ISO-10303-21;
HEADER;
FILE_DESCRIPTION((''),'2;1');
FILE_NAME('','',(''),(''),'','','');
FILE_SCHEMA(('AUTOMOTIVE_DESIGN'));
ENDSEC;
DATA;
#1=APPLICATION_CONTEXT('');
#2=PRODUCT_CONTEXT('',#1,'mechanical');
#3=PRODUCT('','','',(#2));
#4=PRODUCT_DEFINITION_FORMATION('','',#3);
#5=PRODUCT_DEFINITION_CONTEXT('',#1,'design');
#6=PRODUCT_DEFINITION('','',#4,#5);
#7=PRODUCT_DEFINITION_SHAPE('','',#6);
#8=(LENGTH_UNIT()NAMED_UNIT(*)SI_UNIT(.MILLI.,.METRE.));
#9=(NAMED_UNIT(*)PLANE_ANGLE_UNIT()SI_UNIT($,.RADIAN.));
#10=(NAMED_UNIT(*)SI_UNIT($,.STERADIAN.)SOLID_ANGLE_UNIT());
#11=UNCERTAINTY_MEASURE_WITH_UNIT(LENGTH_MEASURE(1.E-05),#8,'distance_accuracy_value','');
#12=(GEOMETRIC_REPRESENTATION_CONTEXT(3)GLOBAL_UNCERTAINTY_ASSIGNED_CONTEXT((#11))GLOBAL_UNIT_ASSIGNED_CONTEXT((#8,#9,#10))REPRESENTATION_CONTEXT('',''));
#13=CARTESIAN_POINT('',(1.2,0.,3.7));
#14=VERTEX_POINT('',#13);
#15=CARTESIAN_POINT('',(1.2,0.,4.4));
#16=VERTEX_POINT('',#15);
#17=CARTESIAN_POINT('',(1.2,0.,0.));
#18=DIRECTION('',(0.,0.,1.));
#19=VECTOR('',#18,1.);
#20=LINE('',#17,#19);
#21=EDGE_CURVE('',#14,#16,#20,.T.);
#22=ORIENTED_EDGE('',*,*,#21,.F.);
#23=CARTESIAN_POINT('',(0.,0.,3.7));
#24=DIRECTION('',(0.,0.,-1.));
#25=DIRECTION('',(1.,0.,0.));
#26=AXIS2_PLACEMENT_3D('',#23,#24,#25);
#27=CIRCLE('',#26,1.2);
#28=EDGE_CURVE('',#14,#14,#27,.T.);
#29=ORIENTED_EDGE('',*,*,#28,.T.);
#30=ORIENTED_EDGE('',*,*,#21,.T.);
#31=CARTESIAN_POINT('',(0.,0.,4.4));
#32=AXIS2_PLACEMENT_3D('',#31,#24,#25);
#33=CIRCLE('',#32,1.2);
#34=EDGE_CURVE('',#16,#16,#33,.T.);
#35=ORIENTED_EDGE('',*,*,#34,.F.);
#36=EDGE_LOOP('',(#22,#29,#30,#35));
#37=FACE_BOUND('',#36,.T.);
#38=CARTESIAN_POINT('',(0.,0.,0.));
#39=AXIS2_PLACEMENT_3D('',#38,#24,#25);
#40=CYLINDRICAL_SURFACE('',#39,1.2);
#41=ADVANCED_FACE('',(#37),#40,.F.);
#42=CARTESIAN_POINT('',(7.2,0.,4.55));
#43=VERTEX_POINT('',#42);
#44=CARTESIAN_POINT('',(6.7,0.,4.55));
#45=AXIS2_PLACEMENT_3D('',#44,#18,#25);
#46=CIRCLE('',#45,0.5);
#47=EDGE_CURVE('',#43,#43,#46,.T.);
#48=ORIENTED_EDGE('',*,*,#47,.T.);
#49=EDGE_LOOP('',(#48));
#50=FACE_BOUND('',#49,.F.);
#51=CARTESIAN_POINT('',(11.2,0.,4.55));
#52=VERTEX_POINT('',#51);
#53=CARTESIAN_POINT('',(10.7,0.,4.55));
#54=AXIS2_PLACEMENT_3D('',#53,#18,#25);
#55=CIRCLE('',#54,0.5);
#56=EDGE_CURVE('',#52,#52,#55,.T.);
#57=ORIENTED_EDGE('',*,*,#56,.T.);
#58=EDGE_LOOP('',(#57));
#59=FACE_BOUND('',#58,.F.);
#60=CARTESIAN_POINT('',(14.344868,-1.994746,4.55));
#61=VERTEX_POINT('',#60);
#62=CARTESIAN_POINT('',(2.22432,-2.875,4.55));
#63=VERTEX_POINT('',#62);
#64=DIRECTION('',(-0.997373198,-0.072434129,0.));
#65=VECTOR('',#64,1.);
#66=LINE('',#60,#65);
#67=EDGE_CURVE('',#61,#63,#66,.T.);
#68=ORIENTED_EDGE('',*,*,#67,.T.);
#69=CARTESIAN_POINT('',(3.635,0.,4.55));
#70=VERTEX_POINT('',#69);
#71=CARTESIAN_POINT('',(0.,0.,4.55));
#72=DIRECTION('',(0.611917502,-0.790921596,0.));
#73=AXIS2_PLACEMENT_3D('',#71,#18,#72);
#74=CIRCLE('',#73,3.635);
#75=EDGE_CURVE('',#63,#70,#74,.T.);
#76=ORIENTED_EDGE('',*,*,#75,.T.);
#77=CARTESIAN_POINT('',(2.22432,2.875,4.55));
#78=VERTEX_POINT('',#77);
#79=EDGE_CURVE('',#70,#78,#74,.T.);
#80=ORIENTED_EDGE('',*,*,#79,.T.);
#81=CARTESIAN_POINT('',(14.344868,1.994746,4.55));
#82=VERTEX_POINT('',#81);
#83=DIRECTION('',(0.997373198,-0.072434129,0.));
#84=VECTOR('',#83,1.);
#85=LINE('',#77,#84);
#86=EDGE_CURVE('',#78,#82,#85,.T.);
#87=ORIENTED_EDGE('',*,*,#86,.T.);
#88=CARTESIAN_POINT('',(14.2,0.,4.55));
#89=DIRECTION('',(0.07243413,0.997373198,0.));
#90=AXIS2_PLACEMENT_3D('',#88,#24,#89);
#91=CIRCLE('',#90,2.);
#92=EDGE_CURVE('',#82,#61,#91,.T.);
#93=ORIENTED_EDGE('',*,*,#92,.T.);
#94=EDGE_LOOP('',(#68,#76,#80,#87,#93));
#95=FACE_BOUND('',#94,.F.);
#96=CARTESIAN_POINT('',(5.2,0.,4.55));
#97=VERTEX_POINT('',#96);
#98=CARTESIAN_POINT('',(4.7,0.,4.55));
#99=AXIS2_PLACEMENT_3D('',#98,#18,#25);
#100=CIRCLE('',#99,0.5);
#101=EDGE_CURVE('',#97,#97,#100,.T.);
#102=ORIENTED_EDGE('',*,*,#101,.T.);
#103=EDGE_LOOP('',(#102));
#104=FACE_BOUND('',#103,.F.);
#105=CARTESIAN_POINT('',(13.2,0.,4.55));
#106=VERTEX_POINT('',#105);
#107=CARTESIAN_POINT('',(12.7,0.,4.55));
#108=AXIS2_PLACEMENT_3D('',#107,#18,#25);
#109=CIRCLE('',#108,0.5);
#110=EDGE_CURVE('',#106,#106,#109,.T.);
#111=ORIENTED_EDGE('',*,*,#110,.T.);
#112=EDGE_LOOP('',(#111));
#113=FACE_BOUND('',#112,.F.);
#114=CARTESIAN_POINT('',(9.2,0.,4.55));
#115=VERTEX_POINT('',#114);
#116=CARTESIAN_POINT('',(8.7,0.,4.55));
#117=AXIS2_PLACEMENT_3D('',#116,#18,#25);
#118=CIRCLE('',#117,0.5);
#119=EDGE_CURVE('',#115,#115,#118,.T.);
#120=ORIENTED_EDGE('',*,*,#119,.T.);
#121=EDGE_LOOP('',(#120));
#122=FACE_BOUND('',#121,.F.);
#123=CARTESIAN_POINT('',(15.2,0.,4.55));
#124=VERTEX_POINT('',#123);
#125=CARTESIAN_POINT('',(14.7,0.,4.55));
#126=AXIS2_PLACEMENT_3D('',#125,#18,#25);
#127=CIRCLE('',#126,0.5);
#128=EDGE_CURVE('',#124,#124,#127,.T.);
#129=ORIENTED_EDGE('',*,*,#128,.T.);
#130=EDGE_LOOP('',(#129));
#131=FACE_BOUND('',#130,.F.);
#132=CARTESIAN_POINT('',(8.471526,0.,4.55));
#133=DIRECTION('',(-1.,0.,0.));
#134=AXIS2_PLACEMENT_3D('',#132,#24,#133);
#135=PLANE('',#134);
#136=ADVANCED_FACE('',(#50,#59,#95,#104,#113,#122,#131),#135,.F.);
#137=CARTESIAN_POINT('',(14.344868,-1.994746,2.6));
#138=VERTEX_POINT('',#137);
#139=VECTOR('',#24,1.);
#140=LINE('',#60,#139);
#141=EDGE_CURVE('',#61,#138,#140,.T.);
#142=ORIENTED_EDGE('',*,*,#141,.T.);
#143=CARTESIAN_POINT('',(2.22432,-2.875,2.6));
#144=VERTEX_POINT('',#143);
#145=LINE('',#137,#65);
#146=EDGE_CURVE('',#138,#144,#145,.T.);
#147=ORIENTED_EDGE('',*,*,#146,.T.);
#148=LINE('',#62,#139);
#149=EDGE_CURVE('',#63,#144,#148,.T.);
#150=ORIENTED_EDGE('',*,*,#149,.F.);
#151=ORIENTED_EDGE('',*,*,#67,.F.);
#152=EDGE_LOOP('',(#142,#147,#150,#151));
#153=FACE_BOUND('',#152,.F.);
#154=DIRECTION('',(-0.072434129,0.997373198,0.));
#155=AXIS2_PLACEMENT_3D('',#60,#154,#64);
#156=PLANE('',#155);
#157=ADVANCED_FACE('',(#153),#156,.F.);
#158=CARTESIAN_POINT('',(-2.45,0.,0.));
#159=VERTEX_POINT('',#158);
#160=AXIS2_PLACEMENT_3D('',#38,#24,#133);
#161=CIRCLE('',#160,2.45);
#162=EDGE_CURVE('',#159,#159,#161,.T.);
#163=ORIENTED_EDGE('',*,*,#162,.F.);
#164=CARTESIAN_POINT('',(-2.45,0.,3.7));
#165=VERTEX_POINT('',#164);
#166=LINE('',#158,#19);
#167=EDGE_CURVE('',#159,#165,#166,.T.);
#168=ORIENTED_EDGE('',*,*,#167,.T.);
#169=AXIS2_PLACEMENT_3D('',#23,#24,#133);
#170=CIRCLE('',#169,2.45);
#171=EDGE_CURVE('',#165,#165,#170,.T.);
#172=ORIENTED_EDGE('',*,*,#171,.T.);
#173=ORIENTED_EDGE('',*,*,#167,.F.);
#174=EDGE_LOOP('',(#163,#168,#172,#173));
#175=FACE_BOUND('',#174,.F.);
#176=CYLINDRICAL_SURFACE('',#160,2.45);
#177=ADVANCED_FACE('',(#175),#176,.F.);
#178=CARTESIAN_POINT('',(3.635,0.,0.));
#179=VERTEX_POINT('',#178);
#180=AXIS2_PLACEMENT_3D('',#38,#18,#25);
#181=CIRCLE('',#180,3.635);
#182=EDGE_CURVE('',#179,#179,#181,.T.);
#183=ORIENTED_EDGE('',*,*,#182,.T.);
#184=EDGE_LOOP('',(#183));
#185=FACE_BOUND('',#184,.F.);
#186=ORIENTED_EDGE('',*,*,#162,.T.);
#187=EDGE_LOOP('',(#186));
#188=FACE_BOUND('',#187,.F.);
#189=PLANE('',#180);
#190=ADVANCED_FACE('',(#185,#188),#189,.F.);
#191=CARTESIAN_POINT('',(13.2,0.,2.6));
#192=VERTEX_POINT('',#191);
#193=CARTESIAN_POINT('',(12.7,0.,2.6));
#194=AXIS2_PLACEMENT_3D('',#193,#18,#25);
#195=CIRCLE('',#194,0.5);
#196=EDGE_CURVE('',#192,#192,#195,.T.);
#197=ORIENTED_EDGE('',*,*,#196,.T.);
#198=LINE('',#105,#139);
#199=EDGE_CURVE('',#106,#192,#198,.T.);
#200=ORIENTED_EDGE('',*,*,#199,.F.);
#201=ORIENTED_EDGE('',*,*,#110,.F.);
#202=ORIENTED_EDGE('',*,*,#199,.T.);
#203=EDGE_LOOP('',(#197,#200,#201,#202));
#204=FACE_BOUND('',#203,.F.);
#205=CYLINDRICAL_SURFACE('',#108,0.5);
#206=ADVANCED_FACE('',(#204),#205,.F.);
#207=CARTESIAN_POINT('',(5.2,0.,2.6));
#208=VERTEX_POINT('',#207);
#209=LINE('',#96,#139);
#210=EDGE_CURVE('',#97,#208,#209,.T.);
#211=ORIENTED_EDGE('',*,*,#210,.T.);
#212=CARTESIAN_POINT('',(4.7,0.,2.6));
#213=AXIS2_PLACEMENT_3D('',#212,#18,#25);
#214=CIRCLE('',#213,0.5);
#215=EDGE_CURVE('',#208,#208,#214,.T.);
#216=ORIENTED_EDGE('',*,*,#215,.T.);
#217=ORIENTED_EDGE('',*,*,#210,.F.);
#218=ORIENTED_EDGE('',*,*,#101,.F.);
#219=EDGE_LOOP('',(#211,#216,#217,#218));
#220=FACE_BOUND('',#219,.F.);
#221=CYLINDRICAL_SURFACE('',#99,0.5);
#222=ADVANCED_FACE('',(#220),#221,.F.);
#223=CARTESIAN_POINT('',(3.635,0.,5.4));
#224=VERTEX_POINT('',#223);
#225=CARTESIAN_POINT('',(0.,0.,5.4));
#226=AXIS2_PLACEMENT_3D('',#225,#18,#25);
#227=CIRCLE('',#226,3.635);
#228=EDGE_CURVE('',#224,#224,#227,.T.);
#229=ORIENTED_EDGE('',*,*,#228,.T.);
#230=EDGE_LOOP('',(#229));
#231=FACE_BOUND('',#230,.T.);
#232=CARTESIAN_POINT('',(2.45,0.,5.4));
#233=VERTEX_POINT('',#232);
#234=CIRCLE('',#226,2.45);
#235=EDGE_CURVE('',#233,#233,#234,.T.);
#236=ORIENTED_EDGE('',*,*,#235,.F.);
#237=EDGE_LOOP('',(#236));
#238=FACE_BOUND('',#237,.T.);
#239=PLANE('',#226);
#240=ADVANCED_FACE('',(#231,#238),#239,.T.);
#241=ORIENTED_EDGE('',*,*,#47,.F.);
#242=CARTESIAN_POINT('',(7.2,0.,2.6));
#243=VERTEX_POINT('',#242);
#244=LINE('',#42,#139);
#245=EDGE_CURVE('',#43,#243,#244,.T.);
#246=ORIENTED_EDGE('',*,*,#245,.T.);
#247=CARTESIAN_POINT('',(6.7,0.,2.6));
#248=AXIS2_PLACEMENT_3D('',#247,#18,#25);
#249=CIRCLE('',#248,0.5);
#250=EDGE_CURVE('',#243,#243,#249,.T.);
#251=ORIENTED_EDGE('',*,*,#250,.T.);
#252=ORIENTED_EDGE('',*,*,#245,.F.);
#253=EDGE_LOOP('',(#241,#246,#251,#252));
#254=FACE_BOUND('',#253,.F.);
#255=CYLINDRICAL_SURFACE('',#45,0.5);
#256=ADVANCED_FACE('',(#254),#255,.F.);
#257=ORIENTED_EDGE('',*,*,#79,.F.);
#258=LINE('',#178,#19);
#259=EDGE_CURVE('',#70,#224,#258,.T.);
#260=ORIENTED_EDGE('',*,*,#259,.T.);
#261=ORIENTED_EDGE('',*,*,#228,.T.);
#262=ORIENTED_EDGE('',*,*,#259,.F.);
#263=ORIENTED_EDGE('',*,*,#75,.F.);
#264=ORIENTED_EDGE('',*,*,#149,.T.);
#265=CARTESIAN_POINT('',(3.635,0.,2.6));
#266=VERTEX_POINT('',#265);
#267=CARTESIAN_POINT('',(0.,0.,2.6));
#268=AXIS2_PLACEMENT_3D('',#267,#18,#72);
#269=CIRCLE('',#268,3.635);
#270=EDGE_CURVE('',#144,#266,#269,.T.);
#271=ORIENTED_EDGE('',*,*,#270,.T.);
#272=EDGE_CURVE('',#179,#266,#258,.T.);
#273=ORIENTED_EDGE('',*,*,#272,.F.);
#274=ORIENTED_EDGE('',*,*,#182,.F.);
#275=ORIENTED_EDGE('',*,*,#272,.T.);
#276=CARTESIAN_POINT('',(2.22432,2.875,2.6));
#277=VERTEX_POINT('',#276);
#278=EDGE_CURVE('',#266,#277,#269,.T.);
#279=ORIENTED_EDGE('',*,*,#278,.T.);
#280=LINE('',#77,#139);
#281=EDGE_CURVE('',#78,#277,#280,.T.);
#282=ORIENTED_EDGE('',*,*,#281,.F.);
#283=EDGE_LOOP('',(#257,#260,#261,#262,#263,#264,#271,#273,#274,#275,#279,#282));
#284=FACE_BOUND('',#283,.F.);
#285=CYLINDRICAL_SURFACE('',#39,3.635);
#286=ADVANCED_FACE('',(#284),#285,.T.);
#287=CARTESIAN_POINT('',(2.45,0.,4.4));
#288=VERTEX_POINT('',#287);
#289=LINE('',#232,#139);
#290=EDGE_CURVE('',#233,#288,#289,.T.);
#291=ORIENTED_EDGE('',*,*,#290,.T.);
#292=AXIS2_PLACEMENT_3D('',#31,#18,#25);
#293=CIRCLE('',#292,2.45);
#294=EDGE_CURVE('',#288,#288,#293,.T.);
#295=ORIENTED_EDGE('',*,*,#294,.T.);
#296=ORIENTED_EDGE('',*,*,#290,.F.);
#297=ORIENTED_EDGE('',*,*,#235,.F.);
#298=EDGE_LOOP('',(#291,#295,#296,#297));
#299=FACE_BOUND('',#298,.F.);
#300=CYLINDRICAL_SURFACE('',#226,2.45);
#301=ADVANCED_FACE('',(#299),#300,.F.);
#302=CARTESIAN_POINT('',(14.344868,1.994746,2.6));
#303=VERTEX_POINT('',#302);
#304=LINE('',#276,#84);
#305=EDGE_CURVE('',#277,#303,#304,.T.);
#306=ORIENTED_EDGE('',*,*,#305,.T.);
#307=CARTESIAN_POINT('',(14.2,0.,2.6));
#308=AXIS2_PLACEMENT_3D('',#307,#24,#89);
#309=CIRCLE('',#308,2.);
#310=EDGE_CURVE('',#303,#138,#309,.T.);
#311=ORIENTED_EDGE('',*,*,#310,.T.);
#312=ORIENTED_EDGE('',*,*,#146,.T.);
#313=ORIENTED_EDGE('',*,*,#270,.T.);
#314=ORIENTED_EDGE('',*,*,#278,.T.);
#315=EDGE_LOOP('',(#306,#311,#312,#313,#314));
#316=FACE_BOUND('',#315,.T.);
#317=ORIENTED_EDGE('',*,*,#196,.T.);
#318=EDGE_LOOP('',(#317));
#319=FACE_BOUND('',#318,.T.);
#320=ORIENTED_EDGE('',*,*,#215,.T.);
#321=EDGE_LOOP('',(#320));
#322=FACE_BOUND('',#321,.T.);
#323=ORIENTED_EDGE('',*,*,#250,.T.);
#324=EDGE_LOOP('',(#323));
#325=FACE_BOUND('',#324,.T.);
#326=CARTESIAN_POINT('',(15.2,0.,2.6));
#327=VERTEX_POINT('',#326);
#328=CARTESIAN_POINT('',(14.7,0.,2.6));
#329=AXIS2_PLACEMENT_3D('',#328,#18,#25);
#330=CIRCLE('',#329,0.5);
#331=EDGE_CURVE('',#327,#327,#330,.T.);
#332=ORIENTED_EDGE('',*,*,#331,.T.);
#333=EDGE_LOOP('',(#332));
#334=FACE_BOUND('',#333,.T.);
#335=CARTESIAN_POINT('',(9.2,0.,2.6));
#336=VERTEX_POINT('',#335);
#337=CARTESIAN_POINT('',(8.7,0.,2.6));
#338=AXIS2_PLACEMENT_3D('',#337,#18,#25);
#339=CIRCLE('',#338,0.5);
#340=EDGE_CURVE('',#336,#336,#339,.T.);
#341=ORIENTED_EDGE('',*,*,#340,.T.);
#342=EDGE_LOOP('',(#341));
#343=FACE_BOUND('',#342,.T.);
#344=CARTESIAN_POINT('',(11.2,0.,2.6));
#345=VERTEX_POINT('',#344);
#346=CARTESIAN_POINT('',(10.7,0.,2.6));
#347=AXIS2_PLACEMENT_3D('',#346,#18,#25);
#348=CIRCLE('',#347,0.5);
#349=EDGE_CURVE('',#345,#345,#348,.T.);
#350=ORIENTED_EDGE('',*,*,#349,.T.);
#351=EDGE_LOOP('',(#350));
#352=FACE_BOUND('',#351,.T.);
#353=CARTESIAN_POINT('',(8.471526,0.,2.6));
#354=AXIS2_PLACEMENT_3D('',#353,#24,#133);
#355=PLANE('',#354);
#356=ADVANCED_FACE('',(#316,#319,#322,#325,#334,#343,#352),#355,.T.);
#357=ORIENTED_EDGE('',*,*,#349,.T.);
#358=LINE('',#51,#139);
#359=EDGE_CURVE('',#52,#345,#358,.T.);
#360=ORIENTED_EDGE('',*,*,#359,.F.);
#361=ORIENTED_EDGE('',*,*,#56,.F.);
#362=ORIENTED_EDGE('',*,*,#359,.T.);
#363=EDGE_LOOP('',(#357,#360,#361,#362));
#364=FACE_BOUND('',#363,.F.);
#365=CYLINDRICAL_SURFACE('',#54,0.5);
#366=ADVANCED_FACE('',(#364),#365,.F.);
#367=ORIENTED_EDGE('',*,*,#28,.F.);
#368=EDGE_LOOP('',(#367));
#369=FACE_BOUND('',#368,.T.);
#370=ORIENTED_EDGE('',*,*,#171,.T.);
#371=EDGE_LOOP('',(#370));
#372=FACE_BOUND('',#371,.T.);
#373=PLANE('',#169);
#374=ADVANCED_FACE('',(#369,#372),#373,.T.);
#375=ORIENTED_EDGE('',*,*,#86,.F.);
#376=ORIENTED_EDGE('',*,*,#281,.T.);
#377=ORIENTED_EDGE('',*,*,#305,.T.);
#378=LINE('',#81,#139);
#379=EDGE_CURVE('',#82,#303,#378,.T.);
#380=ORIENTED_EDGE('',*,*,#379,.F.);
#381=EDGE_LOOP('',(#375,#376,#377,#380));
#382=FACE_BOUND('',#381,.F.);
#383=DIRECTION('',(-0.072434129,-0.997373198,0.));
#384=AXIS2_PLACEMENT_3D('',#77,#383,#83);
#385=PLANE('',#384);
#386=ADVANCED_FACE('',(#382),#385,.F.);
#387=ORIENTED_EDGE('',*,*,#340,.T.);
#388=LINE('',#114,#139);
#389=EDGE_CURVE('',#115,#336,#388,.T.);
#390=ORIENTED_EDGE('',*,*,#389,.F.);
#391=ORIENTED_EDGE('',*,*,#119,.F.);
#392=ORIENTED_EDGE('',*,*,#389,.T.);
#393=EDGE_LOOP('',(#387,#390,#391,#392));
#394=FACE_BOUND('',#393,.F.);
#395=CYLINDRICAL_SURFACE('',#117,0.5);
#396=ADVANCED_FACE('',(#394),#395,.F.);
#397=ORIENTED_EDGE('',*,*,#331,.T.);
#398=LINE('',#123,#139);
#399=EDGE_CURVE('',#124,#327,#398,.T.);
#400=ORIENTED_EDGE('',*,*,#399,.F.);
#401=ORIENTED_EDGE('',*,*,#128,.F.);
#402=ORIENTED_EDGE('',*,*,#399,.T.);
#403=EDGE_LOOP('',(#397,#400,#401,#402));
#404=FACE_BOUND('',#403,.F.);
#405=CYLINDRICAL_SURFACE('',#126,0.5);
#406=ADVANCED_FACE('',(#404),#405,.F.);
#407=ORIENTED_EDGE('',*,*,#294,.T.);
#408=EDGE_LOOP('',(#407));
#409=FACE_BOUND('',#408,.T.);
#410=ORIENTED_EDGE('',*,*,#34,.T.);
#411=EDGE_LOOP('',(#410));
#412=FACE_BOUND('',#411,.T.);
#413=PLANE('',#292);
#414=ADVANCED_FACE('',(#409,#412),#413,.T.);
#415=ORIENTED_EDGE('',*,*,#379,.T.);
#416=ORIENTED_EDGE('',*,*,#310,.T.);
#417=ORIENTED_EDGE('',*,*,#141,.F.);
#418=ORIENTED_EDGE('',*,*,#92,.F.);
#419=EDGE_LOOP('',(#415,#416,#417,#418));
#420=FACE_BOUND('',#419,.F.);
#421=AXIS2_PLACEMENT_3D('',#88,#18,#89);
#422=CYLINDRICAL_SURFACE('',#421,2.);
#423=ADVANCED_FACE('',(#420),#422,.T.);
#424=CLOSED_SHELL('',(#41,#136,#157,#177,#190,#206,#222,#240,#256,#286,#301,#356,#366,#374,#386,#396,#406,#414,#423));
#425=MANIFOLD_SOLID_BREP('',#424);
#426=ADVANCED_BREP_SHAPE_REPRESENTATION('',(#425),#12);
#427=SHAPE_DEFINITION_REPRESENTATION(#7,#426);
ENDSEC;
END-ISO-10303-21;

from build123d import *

# Parameters (mm, degrees)
ESQUISSE1_R             = 3.635
ESQUISSE1_R_2           = 1.2
BOSS_EXTRU_1_DEPTH      = 5.4
BOSS_EXTRU_2_DEPTH      = 1.95
ESQUISSE3_R             = 2.45
ENL_V_MAT_EXTRU_1_DEPTH = 1
ESQUISSE4_R             = 2.45
ENL_V_MAT_EXTRU_2_DEPTH = 3.7
ESQUISSE5_R             = 0.5
ENL_V_MAT_EXTRU_3_DEPTH = 3.7


with BuildPart() as part:
    # Esquisse1 → Boss.-Extru.1 (new body)
    with BuildSketch(Plane.XY):
        Circle(ESQUISSE1_R)
        Circle(ESQUISSE1_R_2, mode=Mode.SUBTRACT)
    extrude(amount=BOSS_EXTRU_1_DEPTH)

    # Esquisse2 → Boss.-Extru.2 (add)
    with BuildSketch(Plane.XY.offset(4.55)):
        with BuildLine():
            Line((2.224320121, 2.875), (14.344868259, 1.994746397))
            ThreePointArc((14.344868259, 1.994746397), (16.2, 0), (14.344868259, -1.994746397))
            Line((14.344868259, -1.994746397), (2.224320121, -2.875))
            ThreePointArc((2.224320121, -2.875), (3.635, 0), (2.224320121, 2.875))
        make_face()
    extrude(amount=-BOSS_EXTRU_2_DEPTH)

    # Esquisse3 → Enlèv. mat.-Extru.1 (cut)
    with BuildSketch(Plane.XY.offset(5.4)):
        Circle(ESQUISSE3_R)
    extrude(amount=-ENL_V_MAT_EXTRU_1_DEPTH, mode=Mode.SUBTRACT)

    # Esquisse4 → Enlèv. mat.-Extru.2 (cut)
    with BuildSketch(Plane(origin=(0, 0, 0), x_dir=(-1, 0, 0), z_dir=(0, 0, -1))):
        Circle(ESQUISSE4_R)
    extrude(amount=-ENL_V_MAT_EXTRU_2_DEPTH, mode=Mode.SUBTRACT)

    # Esquisse5 → Enlèv. mat.-Extru.3 (cut)
    with BuildSketch(Plane.XY.offset(4.55)):
        with Locations((14.7, 0)):
            Circle(ESQUISSE5_R)
        with Locations((12.7, 0)):
            Circle(ESQUISSE5_R)
        with Locations((10.7, 0)):
            Circle(ESQUISSE5_R)
        with Locations((8.7, 0)):
            Circle(ESQUISSE5_R)
        with Locations((6.7, 0)):
            Circle(ESQUISSE5_R)
        with Locations((4.7, 0)):
            Circle(ESQUISSE5_R)
    extrude(amount=-ENL_V_MAT_EXTRU_3_DEPTH, mode=Mode.SUBTRACT)


solid = part.part
